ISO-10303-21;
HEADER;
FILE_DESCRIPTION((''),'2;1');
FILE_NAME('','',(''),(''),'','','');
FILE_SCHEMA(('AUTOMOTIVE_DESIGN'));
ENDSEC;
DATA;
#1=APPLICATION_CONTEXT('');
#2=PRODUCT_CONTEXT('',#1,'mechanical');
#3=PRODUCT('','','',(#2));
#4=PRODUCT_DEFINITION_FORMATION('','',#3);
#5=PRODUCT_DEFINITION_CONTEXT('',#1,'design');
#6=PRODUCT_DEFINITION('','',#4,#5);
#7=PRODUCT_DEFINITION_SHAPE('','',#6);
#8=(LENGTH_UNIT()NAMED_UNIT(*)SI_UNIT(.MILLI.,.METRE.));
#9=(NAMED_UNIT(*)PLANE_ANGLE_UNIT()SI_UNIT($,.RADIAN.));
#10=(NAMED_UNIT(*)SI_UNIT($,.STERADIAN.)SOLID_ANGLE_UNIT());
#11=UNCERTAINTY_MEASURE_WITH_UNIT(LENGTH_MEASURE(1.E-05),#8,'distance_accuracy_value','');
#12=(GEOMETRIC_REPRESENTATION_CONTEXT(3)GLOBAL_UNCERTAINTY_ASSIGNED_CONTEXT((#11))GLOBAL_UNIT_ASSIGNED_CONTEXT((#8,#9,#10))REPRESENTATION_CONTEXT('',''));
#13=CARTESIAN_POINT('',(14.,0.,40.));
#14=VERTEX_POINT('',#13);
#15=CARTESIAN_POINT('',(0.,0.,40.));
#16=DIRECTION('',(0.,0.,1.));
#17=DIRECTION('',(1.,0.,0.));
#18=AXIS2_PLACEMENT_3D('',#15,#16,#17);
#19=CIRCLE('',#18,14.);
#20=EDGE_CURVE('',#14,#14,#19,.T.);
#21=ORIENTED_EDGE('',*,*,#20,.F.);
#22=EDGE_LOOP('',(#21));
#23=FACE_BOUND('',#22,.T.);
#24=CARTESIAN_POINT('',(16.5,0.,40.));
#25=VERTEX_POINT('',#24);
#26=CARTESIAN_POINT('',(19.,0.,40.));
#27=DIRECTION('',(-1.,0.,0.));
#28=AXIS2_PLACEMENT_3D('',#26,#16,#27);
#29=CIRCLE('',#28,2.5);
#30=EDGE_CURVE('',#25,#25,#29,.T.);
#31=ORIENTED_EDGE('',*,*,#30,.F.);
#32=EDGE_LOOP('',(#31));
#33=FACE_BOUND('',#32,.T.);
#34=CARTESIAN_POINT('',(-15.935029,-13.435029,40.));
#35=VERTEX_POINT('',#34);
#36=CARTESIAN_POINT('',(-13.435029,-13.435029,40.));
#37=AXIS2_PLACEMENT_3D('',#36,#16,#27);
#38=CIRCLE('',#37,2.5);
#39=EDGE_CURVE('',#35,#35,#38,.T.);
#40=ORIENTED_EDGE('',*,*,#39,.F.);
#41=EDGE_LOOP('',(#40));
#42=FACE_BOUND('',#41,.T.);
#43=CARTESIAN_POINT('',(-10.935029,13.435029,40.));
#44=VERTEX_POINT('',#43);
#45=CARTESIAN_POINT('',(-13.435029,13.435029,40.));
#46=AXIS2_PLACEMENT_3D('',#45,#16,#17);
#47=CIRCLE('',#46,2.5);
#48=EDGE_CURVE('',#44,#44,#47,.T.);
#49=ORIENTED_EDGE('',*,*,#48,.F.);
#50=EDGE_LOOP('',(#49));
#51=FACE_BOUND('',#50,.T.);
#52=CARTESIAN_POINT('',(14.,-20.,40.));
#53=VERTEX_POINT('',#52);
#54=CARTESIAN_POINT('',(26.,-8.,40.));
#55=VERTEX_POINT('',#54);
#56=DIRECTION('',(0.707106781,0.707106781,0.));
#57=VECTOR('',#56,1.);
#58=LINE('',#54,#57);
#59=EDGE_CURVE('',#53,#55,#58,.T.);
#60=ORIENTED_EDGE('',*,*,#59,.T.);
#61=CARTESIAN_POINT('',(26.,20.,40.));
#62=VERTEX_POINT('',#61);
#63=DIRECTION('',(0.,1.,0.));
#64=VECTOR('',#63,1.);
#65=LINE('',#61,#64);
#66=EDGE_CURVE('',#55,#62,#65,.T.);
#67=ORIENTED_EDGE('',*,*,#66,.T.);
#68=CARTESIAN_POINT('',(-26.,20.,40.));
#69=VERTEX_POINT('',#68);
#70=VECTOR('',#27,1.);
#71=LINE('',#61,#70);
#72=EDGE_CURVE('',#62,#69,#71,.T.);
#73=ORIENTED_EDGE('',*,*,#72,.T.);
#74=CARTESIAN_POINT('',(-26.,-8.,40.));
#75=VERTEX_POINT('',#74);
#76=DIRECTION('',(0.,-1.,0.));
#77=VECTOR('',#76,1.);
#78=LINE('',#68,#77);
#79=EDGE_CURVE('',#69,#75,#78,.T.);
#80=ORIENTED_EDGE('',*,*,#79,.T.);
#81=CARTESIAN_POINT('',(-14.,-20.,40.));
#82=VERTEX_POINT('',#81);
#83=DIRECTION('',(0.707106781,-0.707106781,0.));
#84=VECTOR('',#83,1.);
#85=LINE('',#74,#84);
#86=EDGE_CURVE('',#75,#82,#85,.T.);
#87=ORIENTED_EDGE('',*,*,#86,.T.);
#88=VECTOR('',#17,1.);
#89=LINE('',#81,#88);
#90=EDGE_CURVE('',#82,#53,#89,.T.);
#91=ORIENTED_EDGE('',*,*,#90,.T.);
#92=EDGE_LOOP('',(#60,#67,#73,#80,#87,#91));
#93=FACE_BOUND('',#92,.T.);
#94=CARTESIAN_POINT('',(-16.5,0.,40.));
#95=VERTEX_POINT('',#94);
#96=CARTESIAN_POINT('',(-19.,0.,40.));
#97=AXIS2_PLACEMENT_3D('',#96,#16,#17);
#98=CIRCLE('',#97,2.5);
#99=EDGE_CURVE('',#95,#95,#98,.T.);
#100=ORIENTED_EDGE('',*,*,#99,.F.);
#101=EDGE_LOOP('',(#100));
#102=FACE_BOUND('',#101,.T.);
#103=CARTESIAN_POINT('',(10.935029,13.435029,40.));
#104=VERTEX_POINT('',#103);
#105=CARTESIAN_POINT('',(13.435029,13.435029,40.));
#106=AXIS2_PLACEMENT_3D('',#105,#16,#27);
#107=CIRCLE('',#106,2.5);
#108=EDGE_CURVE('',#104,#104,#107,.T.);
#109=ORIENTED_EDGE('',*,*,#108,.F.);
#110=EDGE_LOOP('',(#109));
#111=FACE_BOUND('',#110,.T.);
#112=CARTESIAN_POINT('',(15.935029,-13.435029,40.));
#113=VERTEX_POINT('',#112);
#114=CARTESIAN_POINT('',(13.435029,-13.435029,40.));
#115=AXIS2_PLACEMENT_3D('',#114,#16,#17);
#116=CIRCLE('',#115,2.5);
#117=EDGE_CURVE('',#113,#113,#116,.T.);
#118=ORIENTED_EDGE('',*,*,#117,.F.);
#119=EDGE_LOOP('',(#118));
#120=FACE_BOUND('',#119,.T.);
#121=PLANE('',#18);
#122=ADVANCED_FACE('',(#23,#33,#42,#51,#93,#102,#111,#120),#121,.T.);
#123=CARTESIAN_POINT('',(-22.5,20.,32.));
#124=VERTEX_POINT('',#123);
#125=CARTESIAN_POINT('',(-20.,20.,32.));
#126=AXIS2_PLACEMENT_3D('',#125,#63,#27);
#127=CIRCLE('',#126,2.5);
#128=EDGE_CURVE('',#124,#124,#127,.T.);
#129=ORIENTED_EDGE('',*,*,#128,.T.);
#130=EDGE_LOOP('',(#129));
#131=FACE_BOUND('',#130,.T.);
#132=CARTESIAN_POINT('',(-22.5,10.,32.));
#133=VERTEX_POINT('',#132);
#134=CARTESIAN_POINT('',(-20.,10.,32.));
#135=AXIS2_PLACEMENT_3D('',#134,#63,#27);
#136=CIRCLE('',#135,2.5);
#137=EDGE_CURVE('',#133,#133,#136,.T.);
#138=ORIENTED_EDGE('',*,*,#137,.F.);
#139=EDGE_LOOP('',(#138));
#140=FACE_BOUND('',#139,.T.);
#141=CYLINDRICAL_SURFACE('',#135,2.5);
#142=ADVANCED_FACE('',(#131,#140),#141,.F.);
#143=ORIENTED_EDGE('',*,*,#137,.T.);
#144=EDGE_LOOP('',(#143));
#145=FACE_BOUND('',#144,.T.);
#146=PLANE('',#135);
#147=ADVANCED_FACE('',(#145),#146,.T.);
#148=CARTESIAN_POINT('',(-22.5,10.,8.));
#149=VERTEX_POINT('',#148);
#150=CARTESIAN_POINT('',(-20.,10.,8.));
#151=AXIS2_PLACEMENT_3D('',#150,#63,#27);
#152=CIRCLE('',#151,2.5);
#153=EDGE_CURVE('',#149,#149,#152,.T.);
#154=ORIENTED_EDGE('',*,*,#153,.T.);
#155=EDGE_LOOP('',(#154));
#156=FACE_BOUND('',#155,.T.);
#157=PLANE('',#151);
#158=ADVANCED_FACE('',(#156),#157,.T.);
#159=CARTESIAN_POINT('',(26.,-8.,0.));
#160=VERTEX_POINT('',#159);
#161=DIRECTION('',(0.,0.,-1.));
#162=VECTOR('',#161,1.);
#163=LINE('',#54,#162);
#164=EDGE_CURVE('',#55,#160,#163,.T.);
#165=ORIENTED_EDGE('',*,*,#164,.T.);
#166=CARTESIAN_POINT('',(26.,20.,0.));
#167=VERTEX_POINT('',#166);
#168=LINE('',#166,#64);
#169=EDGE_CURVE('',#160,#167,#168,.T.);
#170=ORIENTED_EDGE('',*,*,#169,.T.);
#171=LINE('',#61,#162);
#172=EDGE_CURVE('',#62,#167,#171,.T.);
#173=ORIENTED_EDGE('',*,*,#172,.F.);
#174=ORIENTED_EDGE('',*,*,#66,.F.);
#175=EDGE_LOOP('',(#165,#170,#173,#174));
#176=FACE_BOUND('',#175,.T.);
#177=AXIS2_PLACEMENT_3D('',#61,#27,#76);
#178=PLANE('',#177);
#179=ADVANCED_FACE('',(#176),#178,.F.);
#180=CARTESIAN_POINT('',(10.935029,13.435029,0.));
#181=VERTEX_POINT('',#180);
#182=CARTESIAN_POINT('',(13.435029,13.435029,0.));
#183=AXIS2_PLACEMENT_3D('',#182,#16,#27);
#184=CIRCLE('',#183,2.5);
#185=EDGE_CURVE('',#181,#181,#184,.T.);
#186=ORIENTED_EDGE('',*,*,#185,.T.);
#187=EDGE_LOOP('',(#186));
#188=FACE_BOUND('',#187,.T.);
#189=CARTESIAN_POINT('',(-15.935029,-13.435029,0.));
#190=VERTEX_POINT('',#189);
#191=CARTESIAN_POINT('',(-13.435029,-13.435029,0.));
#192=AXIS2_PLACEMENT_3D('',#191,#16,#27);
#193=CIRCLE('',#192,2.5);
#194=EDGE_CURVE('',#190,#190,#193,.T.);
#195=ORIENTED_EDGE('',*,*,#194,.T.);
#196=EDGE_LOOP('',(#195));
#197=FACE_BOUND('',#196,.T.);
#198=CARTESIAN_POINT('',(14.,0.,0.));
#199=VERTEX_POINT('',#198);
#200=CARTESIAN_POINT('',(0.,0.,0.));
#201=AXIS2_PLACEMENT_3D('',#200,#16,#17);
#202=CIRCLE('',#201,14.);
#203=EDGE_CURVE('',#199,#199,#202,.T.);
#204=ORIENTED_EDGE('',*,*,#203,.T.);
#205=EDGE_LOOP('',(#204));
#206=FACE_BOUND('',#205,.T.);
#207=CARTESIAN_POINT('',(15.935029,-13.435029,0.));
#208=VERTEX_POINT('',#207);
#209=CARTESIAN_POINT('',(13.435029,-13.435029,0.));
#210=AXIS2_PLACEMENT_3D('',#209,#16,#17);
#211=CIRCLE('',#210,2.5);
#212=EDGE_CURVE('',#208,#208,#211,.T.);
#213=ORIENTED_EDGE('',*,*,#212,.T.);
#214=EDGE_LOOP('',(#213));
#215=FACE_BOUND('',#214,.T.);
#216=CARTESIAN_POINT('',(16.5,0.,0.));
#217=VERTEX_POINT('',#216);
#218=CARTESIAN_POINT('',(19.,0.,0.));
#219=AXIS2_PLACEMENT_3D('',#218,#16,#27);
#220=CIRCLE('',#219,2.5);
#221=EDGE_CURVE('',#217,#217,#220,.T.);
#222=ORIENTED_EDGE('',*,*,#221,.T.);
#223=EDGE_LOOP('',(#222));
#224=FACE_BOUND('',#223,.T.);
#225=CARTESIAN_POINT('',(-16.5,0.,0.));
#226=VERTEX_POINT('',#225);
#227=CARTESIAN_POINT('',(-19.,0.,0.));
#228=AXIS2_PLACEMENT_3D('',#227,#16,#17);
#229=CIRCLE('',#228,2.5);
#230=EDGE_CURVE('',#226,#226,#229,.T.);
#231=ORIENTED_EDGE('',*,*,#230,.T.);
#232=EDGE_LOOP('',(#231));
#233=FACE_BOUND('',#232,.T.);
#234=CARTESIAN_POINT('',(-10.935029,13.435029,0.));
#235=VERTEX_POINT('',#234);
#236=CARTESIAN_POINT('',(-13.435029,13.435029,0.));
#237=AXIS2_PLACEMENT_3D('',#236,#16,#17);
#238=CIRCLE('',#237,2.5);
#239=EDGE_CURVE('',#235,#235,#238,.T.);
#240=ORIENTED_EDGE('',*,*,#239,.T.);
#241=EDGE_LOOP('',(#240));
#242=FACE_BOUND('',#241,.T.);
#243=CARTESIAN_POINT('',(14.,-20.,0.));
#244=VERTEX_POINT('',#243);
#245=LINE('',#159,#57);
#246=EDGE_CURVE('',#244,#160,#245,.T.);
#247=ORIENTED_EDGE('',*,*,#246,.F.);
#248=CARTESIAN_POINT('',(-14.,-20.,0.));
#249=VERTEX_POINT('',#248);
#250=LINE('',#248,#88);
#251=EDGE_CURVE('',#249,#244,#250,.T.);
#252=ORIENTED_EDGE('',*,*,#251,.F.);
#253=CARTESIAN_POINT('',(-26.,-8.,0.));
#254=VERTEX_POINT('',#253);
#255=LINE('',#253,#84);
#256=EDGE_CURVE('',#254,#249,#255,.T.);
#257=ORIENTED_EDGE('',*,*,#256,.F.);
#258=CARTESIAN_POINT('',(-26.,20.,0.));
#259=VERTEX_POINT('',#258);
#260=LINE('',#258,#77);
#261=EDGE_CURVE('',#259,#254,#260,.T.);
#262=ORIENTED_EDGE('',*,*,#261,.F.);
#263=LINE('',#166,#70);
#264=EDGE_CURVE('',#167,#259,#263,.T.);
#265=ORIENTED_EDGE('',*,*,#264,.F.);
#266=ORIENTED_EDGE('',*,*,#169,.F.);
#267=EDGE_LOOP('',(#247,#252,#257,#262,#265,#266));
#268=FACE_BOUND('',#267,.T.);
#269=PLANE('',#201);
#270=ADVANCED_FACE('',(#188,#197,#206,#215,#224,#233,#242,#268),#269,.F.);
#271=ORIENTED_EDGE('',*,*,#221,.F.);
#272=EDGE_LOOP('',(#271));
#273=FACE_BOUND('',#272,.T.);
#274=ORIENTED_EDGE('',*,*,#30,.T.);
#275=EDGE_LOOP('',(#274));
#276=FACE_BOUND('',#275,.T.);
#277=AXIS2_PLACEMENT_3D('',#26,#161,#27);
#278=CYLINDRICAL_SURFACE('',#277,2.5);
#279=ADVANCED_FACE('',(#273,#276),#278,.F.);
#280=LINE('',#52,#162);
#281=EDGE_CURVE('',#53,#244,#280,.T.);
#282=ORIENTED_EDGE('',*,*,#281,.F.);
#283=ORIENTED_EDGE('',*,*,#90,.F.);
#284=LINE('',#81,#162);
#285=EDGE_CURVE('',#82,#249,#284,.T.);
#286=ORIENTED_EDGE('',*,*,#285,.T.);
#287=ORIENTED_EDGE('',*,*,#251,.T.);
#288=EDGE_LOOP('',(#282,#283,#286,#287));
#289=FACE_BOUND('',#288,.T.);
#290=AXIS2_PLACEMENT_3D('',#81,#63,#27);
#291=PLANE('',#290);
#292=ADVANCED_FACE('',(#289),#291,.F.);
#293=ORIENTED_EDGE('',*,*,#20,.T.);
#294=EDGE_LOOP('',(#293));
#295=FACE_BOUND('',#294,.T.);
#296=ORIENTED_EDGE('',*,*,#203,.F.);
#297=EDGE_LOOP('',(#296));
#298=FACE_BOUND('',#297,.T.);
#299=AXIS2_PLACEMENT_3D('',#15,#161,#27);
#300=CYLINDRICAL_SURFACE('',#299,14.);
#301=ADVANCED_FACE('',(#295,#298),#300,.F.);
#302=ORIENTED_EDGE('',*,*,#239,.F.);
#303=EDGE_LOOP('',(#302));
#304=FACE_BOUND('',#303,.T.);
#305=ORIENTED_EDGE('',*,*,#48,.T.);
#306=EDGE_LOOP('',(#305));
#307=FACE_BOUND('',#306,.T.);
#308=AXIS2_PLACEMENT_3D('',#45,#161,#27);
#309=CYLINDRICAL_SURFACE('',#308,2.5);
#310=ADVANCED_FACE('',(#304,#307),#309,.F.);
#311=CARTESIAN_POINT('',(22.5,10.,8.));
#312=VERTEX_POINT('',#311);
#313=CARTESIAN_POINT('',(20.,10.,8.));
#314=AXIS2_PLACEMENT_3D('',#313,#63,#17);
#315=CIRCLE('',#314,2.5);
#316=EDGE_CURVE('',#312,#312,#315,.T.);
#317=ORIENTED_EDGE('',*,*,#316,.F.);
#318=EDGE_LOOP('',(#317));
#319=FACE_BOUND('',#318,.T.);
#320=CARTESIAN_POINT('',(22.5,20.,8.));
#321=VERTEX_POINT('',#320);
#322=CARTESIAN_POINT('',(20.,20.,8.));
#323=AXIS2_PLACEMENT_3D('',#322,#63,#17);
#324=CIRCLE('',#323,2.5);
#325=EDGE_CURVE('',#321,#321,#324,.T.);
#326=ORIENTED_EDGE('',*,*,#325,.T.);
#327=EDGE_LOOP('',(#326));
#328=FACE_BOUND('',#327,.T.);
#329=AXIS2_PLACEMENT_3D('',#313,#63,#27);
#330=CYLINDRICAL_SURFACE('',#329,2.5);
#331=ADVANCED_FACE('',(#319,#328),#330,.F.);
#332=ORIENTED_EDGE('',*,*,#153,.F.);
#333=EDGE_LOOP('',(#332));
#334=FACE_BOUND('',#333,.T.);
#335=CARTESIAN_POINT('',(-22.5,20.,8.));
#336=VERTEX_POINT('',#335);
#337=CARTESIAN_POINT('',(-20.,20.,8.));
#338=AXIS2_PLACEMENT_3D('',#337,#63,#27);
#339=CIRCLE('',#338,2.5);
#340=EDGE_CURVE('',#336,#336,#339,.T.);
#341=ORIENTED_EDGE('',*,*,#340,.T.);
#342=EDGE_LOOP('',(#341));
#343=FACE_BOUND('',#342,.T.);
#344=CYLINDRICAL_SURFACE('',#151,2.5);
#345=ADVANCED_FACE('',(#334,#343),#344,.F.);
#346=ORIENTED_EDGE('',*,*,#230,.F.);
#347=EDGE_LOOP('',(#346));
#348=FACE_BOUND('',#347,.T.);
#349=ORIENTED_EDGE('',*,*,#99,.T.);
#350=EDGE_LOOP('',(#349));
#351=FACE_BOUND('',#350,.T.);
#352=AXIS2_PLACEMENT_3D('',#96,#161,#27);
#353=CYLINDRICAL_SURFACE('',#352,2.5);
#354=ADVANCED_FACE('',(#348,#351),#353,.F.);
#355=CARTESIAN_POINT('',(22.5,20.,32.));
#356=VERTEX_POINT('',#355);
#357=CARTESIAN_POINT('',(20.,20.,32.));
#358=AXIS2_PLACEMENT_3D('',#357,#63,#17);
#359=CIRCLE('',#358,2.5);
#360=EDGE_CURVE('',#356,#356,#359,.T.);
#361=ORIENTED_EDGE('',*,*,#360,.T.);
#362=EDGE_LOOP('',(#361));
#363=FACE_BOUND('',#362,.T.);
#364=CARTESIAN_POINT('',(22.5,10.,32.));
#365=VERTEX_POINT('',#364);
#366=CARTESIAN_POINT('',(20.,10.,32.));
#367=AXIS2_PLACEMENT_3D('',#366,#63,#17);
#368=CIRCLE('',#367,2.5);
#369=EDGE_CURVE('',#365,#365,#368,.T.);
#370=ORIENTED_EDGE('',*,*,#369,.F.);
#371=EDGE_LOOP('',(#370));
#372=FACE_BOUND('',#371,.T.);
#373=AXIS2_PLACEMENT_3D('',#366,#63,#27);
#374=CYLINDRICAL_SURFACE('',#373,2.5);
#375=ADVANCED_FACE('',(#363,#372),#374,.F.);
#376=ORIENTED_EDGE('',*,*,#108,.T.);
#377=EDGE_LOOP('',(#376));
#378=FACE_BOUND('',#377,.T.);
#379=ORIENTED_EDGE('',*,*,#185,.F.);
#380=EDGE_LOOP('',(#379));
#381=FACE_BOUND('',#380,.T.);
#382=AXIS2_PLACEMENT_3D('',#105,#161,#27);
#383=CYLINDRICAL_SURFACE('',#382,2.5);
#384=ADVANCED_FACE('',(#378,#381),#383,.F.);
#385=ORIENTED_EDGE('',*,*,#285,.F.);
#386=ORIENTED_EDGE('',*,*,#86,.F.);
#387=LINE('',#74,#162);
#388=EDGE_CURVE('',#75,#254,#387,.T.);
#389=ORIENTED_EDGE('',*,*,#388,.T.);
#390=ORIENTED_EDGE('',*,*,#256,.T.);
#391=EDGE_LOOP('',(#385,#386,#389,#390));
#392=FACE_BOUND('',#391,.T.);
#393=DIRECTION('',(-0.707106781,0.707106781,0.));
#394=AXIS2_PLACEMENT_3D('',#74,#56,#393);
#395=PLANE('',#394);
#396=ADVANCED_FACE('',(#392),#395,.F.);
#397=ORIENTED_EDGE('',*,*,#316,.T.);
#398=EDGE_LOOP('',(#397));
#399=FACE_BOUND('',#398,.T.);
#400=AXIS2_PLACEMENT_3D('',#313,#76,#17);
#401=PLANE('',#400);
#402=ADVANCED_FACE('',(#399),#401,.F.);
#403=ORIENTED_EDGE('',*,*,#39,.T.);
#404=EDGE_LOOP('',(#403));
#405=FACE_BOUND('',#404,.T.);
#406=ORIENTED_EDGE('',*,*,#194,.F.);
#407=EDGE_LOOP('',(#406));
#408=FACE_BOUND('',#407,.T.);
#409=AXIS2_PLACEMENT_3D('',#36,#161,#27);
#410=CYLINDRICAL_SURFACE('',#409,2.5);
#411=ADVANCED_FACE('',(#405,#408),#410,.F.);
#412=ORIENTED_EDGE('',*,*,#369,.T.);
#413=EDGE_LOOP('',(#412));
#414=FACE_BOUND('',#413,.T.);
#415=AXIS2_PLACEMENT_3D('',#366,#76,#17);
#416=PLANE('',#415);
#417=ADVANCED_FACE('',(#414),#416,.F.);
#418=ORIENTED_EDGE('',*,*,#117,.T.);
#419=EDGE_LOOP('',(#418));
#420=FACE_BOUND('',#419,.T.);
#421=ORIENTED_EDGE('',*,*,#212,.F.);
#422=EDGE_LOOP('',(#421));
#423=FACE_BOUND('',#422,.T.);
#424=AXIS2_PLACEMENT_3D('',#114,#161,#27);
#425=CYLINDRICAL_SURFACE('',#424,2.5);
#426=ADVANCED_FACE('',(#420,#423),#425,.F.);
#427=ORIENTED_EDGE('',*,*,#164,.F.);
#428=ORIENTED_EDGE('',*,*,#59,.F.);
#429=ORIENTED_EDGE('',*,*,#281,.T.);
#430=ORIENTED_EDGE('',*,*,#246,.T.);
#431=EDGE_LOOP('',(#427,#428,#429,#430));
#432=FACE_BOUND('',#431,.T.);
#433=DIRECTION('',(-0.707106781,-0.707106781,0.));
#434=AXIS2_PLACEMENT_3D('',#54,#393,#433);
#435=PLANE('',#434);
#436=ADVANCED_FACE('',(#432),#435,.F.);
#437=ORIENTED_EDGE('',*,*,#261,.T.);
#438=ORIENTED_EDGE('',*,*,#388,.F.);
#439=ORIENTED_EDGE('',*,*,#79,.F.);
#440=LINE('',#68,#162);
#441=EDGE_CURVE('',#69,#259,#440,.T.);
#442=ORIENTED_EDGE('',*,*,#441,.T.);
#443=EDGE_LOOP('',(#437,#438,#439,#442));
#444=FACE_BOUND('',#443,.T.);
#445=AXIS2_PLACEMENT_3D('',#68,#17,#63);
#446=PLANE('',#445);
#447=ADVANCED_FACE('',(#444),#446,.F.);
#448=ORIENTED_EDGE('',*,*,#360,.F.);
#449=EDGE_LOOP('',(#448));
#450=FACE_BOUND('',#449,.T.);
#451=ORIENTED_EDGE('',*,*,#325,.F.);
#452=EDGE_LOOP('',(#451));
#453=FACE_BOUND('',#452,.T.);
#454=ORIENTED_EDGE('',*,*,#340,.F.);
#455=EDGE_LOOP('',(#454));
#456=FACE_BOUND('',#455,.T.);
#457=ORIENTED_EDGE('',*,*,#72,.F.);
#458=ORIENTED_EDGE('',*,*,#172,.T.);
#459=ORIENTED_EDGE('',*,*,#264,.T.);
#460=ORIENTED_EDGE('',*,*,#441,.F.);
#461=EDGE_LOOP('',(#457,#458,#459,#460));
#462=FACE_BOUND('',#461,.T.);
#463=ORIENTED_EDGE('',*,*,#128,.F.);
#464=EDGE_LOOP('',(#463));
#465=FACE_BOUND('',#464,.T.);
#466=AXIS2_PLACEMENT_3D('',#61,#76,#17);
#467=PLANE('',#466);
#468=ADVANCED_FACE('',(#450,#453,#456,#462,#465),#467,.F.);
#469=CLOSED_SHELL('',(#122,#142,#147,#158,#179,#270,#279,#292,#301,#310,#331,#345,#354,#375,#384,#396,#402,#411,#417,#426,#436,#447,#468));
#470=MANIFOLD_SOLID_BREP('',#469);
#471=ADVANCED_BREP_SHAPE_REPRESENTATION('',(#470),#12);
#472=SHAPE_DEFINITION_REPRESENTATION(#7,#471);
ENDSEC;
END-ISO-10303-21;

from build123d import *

# Parameters (mm, degrees)
SKETCH_1_R          = 14
SKETCH_1_R_2        = 2.5
EXTRUDE_1_DEPTH     = 40
SKETCH_3_R          = 2.5
CUT_EXTRUDE_1_DEPTH = 10


with BuildPart() as part:
    # 草图1 → 凸台-拉伸1 (new body)
    with BuildSketch(Plane.XY):
        Polygon((26, 20), (-26, 20), (-26, -8), (-14, -20), (14, -20), (26, -8), align=None)
        Circle(SKETCH_1_R, mode=Mode.SUBTRACT)
        with Locations((-19, 0)):
            Circle(SKETCH_1_R_2, mode=Mode.SUBTRACT)
        with Locations((-13.435028843, 13.435028843)):
            Circle(SKETCH_1_R_2, mode=Mode.SUBTRACT)
        with Locations((-13.435028843, -13.435028843)):
            Circle(SKETCH_1_R_2, mode=Mode.SUBTRACT)
        with Locations((13.435028843, -13.435028843)):
            Circle(SKETCH_1_R_2, mode=Mode.SUBTRACT)
        with Locations((13.435028843, 13.435028843)):
            Circle(SKETCH_1_R_2, mode=Mode.SUBTRACT)
        with Locations((19, 0)):
            Circle(SKETCH_1_R_2, mode=Mode.SUBTRACT)
    extrude(amount=EXTRUDE_1_DEPTH)

    # 草图3 → 切除-拉伸1 (cut)
    with BuildSketch(Plane(origin=(0, 20, 0), x_dir=(1, 0, 0), z_dir=(0, 1, 0))):
        with Locations((-20, -8)):
            Circle(SKETCH_3_R)
        with Locations((-20, -32)):
            Circle(SKETCH_3_R)
        with Locations((20, -32)):
            Circle(SKETCH_3_R)
        with Locations((20, -8)):
            Circle(SKETCH_3_R)
    extrude(amount=-CUT_EXTRUDE_1_DEPTH, mode=Mode.SUBTRACT)


solid = part.part
